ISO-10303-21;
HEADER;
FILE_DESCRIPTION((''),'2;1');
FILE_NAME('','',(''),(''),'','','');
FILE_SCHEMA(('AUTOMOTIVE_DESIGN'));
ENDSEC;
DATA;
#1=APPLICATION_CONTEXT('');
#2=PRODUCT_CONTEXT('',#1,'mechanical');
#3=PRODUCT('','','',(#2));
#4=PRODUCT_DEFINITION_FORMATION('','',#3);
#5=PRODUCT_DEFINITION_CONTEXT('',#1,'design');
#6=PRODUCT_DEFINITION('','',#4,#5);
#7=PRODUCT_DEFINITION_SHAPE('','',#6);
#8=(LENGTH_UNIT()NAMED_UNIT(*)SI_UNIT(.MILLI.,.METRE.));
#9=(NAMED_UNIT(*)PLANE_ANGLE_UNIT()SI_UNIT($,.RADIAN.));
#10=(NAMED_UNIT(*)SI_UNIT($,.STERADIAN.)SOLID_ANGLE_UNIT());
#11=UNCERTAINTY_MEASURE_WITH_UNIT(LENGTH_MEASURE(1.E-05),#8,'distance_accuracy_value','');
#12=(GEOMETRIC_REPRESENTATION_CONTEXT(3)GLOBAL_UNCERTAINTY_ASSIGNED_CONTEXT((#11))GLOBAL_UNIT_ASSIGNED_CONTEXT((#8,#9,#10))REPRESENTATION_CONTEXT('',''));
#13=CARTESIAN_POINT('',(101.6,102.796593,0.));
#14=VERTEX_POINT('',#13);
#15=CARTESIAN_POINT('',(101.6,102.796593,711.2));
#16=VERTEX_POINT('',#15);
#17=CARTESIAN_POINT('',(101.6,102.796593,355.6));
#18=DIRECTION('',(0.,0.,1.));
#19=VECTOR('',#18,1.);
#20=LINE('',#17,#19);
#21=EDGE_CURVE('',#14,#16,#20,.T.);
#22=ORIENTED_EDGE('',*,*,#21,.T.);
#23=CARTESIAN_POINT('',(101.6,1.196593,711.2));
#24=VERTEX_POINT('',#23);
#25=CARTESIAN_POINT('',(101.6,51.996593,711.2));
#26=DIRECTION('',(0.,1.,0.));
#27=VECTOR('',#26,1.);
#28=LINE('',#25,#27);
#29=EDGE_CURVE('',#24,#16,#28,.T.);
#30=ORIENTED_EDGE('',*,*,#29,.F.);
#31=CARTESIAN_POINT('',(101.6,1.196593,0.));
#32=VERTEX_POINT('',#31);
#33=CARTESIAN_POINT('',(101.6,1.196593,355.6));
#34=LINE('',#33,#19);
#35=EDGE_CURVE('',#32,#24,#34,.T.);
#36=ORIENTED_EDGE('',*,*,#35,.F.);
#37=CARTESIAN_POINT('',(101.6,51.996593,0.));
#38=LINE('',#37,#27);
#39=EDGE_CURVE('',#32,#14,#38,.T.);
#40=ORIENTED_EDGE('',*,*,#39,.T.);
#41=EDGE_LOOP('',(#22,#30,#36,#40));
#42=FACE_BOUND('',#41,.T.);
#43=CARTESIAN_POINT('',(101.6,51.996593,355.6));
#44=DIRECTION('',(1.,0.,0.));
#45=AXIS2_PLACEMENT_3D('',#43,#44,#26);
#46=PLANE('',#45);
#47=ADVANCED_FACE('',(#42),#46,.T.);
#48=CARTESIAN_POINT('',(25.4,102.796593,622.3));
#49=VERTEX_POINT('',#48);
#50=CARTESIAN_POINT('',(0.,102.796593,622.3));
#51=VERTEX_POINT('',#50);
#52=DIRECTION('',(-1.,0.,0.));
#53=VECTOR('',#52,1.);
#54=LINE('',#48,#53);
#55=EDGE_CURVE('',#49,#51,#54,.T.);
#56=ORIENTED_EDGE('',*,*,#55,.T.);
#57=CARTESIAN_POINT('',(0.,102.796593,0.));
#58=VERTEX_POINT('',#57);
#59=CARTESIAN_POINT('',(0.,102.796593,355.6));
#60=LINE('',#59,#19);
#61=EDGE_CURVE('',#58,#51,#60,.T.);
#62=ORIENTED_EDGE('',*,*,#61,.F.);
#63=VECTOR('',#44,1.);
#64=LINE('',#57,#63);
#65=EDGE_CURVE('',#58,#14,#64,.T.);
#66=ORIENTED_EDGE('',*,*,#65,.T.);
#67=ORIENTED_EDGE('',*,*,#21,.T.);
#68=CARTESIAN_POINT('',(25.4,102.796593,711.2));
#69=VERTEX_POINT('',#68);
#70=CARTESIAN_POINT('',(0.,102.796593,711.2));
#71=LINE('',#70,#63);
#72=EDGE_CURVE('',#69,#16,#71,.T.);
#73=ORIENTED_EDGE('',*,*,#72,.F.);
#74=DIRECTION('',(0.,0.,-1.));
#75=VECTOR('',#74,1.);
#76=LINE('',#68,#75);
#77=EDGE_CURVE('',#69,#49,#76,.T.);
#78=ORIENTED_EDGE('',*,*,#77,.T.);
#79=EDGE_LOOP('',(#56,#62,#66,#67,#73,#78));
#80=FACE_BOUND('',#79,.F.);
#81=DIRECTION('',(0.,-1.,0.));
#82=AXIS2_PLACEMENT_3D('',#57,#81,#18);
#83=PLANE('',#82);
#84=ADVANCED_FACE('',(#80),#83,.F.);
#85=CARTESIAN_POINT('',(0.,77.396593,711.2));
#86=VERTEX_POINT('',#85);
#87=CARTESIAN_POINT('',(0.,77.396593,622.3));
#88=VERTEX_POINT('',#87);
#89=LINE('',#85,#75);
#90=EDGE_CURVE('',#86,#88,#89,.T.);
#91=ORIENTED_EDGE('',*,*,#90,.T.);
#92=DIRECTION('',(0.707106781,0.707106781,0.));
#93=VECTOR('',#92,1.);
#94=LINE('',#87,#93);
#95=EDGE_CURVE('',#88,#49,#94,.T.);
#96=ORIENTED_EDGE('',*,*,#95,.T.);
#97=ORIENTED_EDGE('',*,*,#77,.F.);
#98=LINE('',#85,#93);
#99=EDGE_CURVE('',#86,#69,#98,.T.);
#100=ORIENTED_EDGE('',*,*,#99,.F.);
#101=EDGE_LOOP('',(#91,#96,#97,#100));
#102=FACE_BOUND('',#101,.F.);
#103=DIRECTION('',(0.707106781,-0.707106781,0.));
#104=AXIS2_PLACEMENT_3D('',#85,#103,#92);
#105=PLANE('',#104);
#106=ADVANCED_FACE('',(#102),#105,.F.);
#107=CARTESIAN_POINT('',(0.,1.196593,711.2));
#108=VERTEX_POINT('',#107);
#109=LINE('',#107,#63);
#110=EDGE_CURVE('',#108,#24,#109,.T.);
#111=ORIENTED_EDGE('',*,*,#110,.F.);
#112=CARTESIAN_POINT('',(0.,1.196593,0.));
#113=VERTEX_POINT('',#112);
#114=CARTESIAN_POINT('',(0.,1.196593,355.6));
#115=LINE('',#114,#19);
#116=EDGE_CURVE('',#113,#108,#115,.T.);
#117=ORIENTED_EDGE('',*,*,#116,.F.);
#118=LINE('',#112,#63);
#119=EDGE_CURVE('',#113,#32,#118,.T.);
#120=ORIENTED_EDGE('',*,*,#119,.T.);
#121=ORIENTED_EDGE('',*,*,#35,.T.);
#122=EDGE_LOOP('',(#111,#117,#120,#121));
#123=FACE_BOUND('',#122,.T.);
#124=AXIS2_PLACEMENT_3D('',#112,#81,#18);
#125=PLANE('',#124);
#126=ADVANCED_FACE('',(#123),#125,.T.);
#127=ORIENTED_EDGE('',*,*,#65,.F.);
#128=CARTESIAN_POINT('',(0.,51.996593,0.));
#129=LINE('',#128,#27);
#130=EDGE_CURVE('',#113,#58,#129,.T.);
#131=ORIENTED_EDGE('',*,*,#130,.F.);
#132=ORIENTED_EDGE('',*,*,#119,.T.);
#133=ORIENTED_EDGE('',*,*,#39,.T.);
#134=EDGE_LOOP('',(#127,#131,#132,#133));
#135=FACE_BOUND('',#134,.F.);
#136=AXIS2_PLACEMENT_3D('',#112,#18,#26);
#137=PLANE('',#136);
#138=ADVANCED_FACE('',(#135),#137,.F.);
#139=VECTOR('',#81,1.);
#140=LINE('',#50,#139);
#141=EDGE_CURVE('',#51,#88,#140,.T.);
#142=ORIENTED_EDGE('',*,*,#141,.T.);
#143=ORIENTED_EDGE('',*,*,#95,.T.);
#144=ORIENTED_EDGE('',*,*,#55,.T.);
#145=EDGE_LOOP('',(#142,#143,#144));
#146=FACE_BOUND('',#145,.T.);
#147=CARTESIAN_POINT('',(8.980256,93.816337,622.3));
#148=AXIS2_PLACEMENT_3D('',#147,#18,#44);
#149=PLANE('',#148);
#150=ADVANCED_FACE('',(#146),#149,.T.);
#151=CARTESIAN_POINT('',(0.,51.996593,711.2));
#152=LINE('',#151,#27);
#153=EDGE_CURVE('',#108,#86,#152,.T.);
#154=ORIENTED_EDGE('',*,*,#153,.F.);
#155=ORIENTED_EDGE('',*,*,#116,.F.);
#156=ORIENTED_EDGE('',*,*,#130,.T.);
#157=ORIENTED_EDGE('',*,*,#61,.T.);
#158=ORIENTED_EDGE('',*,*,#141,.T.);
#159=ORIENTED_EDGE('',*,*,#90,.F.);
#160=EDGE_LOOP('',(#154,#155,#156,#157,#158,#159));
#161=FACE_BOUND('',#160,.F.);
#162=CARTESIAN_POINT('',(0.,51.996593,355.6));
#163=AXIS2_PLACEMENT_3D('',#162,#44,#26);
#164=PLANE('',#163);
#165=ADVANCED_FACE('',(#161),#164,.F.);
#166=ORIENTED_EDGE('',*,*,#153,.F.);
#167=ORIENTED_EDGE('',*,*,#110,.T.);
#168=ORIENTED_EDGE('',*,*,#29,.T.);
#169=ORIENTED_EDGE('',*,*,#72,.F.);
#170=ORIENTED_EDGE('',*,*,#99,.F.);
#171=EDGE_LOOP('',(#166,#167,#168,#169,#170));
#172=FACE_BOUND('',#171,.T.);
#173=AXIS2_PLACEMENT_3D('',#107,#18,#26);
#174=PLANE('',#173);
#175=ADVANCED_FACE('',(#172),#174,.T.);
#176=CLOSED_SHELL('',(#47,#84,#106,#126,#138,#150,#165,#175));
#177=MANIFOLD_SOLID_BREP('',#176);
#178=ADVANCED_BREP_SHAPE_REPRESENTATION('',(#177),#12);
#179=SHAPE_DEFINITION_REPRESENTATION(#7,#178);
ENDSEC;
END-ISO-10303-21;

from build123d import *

# Parameters (mm, degrees)
F0_W     = 101.6
F0_H     = 711.2
F1_DEPTH = 101.6
F3_DEPTH = 88.9


with BuildPart() as f1:
    # F0 (on Right) → F1 (new body)
    with BuildSketch(Plane.YZ):
        with Locations((51.996593, 355.6)):
            Rectangle(F0_W, F0_H)
    extrude(amount=F1_DEPTH)

    # F2 (on face) → F3 (cut)
    with BuildSketch(Plane.XY.offset(711.2)):
        Polygon((25.4, 102.796593), (0, 102.796593), (0, 77.396593), align=None)
    extrude(amount=-F3_DEPTH, mode=Mode.SUBTRACT)


solid = f1.part
